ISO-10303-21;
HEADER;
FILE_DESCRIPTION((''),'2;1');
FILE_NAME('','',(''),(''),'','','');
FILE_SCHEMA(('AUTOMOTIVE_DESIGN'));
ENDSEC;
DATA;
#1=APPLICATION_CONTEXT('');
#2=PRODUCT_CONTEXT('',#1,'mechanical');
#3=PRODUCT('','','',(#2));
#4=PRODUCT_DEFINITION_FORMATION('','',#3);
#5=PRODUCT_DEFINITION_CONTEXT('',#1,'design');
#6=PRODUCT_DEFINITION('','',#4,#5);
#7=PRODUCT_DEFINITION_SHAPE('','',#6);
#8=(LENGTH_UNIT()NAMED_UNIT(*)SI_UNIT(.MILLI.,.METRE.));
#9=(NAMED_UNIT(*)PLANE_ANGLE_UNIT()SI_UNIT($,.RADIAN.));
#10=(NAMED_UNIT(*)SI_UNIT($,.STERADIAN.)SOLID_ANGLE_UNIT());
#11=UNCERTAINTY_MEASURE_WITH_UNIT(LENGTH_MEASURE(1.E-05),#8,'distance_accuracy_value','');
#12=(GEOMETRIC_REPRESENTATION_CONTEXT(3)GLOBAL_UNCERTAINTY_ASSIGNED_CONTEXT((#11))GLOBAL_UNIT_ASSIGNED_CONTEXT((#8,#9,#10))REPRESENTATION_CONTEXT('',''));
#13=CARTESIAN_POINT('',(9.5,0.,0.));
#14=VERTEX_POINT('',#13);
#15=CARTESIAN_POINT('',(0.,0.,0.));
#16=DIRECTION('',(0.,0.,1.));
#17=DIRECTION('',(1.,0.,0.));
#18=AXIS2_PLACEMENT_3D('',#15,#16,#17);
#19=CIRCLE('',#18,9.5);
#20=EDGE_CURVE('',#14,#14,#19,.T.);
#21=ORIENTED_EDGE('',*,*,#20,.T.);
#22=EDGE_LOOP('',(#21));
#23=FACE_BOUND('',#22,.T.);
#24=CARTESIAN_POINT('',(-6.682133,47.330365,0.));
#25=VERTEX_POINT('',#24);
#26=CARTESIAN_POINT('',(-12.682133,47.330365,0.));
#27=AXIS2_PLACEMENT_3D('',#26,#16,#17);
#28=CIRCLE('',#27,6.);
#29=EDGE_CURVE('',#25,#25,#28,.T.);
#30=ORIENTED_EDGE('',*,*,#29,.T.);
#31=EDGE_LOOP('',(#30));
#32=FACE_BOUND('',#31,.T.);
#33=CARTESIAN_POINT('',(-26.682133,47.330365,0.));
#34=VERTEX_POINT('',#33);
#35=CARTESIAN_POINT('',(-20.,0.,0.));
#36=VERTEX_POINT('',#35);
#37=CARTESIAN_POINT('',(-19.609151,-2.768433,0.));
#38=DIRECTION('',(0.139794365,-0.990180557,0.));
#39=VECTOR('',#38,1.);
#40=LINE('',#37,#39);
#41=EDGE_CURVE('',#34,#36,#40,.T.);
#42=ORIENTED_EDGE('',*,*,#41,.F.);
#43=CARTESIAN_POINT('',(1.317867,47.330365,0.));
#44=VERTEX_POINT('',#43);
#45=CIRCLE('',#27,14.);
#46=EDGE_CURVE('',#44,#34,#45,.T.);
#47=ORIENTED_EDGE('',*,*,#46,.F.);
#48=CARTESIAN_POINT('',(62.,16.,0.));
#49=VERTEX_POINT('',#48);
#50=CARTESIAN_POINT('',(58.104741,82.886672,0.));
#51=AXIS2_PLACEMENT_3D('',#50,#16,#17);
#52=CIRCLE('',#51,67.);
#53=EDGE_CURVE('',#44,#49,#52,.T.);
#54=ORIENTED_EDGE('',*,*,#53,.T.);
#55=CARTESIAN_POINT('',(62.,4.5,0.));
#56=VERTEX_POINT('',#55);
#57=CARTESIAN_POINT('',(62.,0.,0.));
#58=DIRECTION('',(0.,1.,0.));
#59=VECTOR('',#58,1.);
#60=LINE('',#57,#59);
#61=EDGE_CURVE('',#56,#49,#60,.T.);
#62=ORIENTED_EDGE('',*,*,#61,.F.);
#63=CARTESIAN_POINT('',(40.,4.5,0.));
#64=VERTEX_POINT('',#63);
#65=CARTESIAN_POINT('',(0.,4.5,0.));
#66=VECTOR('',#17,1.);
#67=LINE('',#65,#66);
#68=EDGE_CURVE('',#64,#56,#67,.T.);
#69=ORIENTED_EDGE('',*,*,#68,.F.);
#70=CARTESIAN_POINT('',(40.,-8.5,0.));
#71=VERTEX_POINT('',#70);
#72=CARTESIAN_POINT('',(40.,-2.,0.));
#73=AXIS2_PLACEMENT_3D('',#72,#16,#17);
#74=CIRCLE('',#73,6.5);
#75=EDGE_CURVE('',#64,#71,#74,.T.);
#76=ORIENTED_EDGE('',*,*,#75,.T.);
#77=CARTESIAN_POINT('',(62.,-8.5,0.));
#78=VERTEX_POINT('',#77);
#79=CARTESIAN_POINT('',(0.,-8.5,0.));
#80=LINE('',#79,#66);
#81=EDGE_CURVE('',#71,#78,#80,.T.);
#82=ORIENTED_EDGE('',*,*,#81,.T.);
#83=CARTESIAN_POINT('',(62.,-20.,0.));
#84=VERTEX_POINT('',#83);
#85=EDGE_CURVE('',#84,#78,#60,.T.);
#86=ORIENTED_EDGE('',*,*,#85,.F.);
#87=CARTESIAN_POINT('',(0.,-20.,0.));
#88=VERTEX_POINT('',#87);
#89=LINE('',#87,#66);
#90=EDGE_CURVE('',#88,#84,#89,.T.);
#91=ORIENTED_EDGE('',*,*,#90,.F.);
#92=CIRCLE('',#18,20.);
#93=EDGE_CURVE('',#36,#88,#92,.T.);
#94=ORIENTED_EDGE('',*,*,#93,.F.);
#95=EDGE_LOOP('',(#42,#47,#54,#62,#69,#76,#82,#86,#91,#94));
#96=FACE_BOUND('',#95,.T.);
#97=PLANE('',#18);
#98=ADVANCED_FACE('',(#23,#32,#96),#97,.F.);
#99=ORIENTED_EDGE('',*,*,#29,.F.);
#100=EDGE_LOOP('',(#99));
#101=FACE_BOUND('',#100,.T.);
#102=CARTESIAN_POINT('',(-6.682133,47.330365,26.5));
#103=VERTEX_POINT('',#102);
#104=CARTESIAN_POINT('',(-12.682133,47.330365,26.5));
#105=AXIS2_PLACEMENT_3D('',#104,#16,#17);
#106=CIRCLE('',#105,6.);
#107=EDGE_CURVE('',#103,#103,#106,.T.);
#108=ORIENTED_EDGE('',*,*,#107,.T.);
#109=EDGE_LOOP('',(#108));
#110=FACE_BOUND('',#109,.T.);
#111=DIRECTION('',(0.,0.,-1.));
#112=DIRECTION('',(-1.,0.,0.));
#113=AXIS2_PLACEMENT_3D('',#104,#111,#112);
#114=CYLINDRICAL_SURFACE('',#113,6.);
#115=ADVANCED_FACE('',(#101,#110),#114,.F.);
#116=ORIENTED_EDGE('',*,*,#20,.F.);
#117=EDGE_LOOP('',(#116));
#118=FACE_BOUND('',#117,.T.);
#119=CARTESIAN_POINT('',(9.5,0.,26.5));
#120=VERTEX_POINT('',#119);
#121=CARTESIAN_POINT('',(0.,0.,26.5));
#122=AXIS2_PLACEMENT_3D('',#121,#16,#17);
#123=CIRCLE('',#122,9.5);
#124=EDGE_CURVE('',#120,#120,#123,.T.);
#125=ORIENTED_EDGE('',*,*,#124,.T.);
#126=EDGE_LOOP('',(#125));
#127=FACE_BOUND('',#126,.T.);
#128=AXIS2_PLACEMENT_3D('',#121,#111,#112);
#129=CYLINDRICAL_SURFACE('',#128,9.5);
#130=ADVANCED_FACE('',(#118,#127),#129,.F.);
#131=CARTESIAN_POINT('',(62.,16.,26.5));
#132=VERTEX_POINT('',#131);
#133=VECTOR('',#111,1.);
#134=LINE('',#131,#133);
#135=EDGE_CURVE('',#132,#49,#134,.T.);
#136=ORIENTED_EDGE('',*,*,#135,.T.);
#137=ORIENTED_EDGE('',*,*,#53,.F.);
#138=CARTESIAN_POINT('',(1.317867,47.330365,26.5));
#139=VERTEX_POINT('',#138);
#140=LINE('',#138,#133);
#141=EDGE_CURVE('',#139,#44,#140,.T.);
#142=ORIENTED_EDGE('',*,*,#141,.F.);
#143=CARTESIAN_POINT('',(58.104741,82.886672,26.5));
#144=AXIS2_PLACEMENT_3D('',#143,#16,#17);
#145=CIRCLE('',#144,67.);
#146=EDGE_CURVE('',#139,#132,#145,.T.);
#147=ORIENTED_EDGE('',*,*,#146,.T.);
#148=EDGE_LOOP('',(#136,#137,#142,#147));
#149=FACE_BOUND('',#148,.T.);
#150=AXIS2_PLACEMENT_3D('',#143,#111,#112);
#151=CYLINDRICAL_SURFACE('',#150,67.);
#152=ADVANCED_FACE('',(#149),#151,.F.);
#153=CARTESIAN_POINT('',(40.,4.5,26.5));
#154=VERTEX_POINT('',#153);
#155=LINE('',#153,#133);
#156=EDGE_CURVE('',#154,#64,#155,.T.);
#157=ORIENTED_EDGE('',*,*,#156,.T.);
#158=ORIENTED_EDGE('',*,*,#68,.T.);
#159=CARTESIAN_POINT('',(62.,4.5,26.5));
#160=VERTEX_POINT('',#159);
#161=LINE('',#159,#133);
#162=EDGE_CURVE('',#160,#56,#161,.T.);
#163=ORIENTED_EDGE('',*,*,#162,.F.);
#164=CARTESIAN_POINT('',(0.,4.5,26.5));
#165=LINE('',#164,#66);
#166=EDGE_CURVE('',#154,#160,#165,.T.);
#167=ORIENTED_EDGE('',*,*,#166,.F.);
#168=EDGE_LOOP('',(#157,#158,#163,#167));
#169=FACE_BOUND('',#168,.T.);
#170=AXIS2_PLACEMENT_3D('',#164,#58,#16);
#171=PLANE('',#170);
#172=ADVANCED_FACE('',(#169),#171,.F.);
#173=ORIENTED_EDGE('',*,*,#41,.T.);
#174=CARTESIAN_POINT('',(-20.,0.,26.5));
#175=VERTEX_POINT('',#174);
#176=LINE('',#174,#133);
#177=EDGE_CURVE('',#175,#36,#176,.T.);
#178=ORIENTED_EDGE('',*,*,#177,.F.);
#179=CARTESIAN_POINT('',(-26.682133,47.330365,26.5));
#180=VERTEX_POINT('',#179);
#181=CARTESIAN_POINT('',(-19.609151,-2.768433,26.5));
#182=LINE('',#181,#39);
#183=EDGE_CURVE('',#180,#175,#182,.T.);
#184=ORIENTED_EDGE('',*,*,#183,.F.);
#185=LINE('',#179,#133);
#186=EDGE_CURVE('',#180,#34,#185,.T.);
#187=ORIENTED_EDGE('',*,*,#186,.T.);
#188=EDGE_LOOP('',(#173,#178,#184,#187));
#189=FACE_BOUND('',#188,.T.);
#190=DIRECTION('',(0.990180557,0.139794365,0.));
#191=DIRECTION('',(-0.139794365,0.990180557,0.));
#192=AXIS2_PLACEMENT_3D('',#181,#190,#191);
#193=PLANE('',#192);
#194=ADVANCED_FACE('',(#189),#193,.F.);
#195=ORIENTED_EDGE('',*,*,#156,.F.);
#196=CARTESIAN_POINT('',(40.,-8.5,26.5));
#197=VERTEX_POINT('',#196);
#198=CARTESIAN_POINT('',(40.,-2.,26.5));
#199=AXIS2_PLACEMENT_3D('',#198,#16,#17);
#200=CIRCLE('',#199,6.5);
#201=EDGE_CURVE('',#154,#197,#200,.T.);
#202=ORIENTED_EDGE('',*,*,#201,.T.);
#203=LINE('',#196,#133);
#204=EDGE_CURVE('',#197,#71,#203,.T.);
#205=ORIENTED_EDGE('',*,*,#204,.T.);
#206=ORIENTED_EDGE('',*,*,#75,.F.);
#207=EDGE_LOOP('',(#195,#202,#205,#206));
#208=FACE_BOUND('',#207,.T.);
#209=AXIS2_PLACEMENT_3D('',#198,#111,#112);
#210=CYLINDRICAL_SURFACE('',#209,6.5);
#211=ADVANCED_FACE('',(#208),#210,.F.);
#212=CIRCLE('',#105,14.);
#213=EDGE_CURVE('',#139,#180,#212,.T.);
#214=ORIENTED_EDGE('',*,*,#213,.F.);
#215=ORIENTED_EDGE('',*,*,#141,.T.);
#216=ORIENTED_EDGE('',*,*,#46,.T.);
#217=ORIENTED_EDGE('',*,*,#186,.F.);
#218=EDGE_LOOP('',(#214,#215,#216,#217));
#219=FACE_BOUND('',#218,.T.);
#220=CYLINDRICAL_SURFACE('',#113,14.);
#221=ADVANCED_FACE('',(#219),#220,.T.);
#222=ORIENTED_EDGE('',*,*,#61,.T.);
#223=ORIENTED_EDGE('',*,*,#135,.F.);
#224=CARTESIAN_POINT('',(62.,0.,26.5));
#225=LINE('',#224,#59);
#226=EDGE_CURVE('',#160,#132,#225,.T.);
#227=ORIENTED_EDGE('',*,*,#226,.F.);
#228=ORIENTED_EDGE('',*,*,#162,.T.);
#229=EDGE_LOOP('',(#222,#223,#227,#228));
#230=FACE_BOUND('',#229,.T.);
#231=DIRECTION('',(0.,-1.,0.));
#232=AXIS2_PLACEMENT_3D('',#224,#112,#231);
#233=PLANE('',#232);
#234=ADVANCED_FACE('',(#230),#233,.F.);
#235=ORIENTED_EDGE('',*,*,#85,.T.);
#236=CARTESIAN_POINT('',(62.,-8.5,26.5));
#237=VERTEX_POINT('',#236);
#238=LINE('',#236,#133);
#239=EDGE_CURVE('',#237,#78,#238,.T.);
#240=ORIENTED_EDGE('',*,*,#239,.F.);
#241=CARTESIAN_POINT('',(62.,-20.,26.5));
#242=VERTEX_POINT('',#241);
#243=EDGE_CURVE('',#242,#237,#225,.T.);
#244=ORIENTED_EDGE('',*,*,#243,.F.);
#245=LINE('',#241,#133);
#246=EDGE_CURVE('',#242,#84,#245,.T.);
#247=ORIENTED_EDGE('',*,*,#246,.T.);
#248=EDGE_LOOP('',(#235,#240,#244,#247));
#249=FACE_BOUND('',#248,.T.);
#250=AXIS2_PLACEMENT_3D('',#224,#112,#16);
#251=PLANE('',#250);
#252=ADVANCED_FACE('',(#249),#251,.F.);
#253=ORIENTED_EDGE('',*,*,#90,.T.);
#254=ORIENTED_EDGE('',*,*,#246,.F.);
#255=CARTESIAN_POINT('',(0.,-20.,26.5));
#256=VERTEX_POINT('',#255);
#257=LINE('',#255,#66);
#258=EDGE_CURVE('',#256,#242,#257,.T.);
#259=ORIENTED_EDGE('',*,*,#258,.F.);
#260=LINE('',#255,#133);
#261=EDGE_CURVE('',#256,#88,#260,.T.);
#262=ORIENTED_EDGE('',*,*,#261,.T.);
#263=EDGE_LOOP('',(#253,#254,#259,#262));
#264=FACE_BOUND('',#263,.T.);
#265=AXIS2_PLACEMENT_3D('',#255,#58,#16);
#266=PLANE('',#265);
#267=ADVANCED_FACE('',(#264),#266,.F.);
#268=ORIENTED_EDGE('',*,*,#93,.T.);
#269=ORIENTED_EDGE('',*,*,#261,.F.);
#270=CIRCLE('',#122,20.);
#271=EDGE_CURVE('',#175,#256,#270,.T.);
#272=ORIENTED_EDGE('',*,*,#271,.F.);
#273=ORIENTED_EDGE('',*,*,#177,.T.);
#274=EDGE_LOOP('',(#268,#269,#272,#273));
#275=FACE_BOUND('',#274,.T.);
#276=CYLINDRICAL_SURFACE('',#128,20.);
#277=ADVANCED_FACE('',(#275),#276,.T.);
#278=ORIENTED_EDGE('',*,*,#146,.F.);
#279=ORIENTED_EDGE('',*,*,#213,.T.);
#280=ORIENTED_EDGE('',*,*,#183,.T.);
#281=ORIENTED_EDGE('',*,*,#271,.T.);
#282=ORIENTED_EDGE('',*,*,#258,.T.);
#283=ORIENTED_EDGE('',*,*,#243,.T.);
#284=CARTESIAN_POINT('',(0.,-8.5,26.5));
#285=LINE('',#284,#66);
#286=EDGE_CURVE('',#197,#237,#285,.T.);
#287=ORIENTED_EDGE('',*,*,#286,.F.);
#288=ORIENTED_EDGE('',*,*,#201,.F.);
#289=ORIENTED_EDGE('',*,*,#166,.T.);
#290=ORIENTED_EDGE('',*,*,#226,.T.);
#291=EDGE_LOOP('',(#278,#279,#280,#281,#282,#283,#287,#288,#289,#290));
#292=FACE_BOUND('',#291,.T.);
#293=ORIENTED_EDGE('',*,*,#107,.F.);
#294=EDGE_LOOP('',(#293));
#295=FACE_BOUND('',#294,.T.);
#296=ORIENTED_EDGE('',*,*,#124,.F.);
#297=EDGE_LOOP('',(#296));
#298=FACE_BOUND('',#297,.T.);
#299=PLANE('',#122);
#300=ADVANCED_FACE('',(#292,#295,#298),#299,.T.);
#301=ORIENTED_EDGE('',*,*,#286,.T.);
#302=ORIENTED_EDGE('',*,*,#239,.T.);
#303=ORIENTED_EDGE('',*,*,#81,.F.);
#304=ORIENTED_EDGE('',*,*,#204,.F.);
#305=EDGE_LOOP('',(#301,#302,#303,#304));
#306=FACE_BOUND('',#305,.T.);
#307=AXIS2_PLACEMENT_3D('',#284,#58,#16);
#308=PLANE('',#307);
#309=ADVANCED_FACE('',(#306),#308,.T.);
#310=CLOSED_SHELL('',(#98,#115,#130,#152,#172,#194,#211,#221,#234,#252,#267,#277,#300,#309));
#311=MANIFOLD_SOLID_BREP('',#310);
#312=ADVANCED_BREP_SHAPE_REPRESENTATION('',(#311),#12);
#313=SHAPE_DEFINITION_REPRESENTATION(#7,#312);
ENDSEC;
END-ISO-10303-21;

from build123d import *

# Parameters (mm, degrees)
SKETCH1_R           = 6
SKETCH1_R_2         = 20
SKETCH1_R_3         = 9.5
BOSS_EXTRUDE1_DEPTH = 26.5


with BuildPart() as part:
    # Sketch1 → Boss-Extrude1 (new body)
    # profile 1 of 3: a face of its own
    with BuildSketch(Plane.XY):
        with BuildLine():
            ThreePointArc((1.31786679, 47.330365488), (-10.725012101, 33.46783769), (-26.134944205, 43.454558949))
            Line((-26.134944205, 43.454558949), (-20, 0))
            ThreePointArc((-20, 0), (0, 20), (20, 0))
            ThreePointArc((20, 0), (14.142135624, -14.142135624), (0, -20))
            Line((0, -20), (62, -20))
            Line((62, -20), (62, -8.5))
            Line((62, -8.5), (40, -8.5))
            ThreePointArc((40, -8.5), (33.5, -2), (40, 4.5))
            Line((40, 4.5), (62, 4.5))
            Line((62, 4.5), (62, 16))
            ThreePointArc((62, 16), (27.367488456, 23.353309282), (1.31786679, 47.330365488))
        make_face()
    # profile 2 of 3: a face of its own
    with BuildSketch(Plane.XY):
        with BuildLine():
            ThreePointArc((1.31786679, 47.330365488), (-12.68213321, 61.330365488), (-26.68213321, 47.330365488))
            Line((-26.68213321, 47.330365488), (-26.134944205, 43.454558949))
            ThreePointArc((-26.134944205, 43.454558949), (-10.725012101, 33.46783769), (1.31786679, 47.330365488))
        make_face()
        with Locations((-12.68213321, 47.330365488)):
            Circle(SKETCH1_R, mode=Mode.SUBTRACT)
    # profile 3 of 3: a face of its own
    with BuildSketch(Plane.XY):
        Circle(SKETCH1_R_2)
        Circle(SKETCH1_R_3, mode=Mode.SUBTRACT)
    extrude(amount=BOSS_EXTRUDE1_DEPTH)


solid = part.part
